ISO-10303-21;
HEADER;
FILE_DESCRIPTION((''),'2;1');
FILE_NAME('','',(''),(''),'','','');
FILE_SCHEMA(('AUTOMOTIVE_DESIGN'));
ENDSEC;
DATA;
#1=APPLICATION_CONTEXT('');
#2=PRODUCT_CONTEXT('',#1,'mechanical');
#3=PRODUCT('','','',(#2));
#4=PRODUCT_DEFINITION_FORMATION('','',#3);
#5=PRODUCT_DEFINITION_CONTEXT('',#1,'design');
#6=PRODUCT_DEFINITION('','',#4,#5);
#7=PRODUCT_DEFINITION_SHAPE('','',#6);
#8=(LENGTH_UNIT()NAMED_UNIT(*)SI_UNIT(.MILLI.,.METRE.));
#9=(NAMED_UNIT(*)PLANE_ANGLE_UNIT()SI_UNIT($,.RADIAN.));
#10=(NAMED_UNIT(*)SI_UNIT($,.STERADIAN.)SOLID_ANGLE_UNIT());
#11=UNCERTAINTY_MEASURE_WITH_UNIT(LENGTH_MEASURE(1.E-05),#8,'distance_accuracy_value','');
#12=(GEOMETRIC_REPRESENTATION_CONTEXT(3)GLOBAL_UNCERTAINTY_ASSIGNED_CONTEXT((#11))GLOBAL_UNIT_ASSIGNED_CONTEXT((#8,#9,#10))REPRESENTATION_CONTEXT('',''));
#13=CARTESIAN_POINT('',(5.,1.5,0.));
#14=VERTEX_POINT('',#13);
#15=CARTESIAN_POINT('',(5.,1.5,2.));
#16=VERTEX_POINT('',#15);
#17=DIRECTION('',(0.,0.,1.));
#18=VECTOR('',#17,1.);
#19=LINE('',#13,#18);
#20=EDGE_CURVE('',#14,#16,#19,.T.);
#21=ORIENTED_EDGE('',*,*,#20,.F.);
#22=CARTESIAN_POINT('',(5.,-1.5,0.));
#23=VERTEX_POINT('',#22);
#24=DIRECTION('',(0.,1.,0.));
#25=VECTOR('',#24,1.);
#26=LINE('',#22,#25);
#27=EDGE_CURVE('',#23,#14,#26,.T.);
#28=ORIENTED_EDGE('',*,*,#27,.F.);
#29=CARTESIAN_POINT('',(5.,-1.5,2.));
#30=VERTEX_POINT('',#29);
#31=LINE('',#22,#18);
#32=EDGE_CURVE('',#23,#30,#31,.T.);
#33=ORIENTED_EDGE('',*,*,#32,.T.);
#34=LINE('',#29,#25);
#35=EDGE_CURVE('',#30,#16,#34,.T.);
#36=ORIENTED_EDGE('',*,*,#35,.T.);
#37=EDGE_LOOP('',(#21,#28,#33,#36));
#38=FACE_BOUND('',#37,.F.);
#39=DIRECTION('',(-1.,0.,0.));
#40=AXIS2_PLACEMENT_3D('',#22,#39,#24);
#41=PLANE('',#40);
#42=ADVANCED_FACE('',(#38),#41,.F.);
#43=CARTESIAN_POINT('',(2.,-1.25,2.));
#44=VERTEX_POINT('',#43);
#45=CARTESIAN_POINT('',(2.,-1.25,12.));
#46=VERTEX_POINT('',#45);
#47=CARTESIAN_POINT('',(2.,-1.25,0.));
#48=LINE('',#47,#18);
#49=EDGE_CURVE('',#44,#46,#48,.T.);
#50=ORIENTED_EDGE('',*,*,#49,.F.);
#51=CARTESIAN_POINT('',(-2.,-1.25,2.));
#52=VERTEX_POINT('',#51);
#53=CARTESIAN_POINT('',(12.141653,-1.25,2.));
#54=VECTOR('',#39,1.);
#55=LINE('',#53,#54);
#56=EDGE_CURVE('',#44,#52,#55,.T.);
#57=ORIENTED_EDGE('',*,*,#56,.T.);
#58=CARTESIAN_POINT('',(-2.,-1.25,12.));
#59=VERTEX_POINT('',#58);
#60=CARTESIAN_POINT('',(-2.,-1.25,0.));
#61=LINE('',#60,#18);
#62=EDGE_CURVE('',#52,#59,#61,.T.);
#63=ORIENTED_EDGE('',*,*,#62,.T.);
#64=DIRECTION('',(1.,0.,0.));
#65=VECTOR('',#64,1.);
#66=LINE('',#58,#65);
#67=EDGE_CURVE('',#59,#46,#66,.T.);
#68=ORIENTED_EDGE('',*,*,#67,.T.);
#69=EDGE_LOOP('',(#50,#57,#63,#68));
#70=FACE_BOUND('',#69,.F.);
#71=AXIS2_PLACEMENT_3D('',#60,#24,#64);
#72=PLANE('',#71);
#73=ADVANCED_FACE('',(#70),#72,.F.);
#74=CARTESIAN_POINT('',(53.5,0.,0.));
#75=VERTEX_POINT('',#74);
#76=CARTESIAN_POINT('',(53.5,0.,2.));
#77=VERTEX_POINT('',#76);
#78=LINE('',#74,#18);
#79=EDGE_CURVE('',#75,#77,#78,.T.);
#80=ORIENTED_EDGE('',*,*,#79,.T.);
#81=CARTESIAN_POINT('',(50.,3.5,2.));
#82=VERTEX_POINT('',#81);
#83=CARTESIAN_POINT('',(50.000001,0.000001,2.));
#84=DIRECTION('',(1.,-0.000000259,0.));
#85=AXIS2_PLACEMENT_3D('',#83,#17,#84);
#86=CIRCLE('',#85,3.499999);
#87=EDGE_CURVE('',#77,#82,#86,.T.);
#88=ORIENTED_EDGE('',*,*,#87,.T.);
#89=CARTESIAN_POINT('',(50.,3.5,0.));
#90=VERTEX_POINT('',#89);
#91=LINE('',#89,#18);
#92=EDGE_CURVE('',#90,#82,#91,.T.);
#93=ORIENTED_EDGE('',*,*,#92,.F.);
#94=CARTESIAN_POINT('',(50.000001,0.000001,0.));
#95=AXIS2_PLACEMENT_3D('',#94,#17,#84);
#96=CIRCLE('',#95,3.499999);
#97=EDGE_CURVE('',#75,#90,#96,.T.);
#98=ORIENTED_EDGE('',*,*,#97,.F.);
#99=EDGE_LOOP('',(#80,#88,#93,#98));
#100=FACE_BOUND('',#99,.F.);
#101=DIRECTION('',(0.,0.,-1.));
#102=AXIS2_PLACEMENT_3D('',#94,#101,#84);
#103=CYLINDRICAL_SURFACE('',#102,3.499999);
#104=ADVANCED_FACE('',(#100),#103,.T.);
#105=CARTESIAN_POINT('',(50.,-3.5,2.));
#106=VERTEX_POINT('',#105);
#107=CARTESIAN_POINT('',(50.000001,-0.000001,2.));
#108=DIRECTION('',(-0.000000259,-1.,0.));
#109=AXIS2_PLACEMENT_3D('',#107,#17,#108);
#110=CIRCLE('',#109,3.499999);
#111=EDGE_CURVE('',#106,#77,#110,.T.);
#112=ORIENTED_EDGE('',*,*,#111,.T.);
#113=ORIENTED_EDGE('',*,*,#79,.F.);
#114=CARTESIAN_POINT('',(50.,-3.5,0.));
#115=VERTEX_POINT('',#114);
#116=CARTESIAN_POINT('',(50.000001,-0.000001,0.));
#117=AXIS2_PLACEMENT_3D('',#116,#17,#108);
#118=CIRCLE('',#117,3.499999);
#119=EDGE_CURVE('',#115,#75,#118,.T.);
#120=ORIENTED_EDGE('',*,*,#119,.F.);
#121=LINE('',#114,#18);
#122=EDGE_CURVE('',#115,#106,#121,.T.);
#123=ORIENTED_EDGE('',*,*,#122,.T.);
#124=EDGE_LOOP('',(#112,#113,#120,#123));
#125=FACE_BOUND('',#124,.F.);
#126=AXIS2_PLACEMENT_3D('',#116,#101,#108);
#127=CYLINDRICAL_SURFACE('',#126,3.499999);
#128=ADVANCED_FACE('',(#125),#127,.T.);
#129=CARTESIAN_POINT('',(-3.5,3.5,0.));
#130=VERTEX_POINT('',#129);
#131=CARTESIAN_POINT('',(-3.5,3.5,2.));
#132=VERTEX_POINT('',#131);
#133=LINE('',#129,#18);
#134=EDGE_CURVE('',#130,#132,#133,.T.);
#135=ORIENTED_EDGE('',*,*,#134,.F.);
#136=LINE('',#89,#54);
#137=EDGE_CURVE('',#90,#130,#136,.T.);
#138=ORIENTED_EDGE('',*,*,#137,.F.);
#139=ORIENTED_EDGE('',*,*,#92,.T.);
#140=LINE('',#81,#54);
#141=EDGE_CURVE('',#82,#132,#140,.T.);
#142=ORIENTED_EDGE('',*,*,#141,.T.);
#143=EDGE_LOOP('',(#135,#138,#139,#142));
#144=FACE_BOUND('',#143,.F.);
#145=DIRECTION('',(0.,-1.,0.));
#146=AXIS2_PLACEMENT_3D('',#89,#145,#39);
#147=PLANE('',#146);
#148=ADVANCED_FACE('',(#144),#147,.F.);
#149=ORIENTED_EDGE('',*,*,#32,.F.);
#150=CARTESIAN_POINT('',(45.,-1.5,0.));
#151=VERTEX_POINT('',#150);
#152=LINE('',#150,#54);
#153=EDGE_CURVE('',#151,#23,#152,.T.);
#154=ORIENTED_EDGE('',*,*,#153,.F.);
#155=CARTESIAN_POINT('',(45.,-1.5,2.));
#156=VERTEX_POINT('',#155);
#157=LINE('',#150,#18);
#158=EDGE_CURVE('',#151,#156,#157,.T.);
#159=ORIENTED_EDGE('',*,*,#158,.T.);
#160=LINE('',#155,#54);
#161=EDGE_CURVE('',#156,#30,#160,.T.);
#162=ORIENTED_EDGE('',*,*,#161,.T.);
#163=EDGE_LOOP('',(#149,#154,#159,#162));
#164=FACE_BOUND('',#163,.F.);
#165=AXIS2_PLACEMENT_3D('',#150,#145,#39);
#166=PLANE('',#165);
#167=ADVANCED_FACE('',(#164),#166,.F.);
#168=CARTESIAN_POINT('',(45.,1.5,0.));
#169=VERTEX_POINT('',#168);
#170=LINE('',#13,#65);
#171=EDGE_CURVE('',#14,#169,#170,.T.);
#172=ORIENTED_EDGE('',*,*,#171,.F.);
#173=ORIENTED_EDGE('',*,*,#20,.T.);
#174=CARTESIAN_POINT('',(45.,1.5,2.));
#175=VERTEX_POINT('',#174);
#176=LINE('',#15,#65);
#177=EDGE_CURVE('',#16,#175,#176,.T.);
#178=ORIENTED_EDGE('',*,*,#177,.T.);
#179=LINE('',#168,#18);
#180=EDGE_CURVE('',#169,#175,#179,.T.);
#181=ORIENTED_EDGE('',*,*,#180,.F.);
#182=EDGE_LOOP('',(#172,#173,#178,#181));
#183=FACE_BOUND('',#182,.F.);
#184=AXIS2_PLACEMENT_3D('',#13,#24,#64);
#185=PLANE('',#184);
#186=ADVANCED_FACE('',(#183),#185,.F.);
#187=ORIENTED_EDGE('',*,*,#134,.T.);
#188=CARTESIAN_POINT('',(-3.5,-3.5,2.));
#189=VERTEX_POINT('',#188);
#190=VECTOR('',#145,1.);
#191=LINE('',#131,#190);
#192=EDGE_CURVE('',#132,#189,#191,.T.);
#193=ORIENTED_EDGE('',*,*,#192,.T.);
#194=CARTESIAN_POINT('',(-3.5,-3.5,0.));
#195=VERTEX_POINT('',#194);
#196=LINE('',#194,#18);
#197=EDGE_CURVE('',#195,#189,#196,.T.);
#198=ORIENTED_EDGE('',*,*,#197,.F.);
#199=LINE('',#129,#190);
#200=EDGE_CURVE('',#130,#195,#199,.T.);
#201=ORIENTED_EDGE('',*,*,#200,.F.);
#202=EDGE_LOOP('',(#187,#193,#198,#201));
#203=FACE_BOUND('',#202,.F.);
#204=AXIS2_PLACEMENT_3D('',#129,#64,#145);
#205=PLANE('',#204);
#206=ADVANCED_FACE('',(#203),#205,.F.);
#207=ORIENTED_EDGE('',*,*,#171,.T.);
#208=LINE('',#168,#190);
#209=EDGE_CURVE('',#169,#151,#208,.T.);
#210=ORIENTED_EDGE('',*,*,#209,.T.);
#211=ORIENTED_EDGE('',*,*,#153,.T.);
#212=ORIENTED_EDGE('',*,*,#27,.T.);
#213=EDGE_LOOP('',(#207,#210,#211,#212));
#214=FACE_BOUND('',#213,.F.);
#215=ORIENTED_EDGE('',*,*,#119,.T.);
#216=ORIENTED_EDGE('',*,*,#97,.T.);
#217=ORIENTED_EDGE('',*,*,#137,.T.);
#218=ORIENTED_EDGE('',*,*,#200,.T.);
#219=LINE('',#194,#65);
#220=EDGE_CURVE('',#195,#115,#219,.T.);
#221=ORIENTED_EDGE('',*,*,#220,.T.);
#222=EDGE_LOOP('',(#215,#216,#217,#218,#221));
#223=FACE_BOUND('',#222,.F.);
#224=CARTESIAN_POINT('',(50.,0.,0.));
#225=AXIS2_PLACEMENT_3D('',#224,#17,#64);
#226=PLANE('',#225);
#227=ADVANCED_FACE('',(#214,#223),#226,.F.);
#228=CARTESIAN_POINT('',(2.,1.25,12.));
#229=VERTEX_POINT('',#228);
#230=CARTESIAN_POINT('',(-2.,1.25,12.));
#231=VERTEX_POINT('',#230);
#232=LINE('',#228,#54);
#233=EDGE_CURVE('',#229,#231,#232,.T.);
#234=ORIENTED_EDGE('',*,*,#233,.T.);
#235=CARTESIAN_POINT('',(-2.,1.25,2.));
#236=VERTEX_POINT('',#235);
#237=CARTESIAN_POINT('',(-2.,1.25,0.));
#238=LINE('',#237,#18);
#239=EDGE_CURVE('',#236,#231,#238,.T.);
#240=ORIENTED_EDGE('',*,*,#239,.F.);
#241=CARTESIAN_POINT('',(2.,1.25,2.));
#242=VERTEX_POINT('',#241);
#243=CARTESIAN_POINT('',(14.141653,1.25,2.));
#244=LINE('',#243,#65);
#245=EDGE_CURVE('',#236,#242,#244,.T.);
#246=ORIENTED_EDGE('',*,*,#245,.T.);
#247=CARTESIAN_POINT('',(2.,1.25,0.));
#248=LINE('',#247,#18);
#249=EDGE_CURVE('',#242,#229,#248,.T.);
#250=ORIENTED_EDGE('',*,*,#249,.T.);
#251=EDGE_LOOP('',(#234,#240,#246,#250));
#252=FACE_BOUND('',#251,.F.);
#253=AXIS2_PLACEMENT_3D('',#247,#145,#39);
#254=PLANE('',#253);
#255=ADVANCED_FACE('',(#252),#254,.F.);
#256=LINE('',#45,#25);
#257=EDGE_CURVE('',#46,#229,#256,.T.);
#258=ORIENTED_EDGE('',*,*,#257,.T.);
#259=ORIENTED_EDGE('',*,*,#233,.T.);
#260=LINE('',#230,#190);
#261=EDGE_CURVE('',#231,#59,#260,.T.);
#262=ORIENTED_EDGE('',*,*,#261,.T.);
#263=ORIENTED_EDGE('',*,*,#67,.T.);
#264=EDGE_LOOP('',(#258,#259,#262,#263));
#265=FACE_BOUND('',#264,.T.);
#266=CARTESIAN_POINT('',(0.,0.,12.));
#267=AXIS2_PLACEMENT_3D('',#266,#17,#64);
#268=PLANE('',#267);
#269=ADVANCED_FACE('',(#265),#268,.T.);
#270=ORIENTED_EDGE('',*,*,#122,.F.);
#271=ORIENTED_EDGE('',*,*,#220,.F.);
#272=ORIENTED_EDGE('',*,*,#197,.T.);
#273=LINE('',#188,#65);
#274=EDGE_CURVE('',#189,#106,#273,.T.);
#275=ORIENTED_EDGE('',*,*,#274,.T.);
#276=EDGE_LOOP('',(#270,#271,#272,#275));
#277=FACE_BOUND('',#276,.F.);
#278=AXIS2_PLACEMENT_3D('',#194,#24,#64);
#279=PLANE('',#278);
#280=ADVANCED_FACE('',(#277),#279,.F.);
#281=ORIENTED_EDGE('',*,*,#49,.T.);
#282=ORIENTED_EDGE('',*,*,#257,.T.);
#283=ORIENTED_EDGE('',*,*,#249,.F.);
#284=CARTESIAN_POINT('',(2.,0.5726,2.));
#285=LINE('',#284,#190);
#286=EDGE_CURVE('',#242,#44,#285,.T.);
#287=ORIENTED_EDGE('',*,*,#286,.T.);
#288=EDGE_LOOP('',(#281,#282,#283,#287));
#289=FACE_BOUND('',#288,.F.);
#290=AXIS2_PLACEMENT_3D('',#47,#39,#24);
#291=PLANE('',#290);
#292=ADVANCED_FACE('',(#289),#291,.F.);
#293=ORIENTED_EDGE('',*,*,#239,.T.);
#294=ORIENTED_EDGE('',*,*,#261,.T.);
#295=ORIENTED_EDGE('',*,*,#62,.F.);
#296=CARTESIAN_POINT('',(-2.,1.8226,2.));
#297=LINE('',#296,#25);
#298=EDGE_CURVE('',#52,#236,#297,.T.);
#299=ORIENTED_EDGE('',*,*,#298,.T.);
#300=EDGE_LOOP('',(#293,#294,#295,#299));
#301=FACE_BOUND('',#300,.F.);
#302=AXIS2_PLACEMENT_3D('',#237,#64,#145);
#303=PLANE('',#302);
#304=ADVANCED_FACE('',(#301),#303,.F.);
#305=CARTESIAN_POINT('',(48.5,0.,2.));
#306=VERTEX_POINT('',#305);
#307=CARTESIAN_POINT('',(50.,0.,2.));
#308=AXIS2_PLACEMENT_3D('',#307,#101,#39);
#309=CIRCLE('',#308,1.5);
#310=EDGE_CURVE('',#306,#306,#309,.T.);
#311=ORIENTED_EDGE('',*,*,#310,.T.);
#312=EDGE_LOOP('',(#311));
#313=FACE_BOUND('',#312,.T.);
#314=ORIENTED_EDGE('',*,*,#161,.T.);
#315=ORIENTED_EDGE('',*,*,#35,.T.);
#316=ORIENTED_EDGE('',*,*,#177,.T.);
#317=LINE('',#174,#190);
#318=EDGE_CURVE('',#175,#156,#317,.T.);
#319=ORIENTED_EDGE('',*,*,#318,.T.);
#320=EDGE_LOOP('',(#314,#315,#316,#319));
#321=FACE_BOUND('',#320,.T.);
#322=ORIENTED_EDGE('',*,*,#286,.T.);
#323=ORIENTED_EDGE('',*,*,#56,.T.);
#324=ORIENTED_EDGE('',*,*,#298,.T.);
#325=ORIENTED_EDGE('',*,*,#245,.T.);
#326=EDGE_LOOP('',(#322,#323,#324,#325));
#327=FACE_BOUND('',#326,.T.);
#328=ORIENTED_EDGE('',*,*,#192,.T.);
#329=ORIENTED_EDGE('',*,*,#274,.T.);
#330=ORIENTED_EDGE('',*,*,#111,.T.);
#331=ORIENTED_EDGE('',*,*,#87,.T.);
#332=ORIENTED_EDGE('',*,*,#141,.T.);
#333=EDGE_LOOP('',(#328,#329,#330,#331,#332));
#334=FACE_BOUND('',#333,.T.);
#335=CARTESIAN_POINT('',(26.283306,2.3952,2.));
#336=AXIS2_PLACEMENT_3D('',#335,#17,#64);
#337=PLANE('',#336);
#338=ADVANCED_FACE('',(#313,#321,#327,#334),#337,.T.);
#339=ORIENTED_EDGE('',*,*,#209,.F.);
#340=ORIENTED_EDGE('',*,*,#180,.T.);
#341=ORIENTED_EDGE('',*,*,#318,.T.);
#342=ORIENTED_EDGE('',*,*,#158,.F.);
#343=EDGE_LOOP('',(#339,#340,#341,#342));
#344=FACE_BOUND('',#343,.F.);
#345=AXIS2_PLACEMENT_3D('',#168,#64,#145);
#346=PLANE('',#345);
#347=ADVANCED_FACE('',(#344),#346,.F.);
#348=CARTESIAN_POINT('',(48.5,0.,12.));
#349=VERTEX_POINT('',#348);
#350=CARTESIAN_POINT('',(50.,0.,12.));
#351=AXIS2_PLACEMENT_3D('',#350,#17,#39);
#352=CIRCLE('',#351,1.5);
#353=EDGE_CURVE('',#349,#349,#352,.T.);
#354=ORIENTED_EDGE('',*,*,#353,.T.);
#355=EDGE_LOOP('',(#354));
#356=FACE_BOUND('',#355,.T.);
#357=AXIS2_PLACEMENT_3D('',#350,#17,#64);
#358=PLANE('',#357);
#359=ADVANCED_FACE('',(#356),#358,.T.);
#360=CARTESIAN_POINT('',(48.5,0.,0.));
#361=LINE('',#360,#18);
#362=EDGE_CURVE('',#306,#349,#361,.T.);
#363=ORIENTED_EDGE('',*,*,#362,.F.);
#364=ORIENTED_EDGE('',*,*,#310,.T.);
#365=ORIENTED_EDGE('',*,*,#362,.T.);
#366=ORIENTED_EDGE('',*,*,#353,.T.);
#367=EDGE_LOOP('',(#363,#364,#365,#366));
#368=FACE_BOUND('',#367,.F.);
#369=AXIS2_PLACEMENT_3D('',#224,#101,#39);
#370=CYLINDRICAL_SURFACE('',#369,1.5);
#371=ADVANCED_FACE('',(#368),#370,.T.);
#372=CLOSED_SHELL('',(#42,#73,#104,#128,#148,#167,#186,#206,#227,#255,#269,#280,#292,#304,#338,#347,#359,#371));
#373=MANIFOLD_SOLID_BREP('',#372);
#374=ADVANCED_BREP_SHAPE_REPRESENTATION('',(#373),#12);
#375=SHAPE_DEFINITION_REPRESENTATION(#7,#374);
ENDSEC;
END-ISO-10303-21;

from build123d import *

# Parameters (mm, degrees)
F1_DEPTH = 2
F2_DEPTH = 12
F3_DEPTH = 12


with BuildPart() as f1:
    # F0 (on Top) → F1 (new body)
    with BuildSketch(Plane.XY):
        with BuildLine():
            Line((3.5, 3.5), (3.5, 0))
            Line((3.5, 0), (5, 0))
            Line((5, 0), (5, 1.5))
            Line((5, 1.5), (45, 1.5))
            Line((45, 1.5), (45, 0))
            Line((45, 0), (46.5, 0))
            ThreePointArc((46.5, 0), (47.525126, 2.474874), (50, 3.5))
            Line((50, 3.5), (3.5, 3.5))
        make_face()
        with BuildLine():
            Line((5, 0), (3.5, 0))
            Line((3.5, 0), (3.5, -3.5))
            Line((3.5, -3.5), (50, -3.5))
            ThreePointArc((50, -3.5), (47.525126, -2.474874), (46.5, 0))
            Line((46.5, 0), (45, 0))
            Line((45, 0), (45, -1.5))
            Line((45, -1.5), (5, -1.5))
            Line((5, -1.5), (5, 0))
        make_face()
        Polygon((3.5, -3.5), (3.5, 0), (3.5, 3.5), (0, 3.5), (-3.5, 3.5), (-3.5, -3.5), (0, -3.5), align=None)
        Polygon((2, 1.25), (2, 0), (2, -1.25), (-2, -1.25), (-2, 1.25), align=None, mode=Mode.SUBTRACT)
        Polygon((2, -1.25), (2, 0), (2, 1.25), (-2, 1.25), (-2, -1.25), align=None)
        with BuildLine():
            ThreePointArc((46.5, 0), (47.525126, -2.474874), (50, -3.5))
            ThreePointArc((50, -3.5), (52.474874, -2.474874), (53.5, 0))
            ThreePointArc((53.5, 0), (52.474874, 2.474874), (50, 3.5))
            ThreePointArc((50, 3.5), (47.525126, 2.474874), (46.5, 0))
        make_face()
        with BuildLine():
            ThreePointArc((51.5, 0), (50, -1.5), (48.5, 0))
            ThreePointArc((48.5, 0), (50, 1.5), (51.5, 0))
        make_face(mode=Mode.SUBTRACT)
        with BuildLine():
            ThreePointArc((51.5, 0), (50, 1.5), (48.5, 0))
            ThreePointArc((48.5, 0), (50, -1.5), (51.5, 0))
        make_face()
    extrude(amount=F1_DEPTH)

    # F0 (on Top) → F2 (join)
    with BuildSketch(Plane.XY):
        Polygon((2, -1.25), (2, 0), (2, 1.25), (-2, 1.25), (-2, -1.25), align=None)
    extrude(amount=F2_DEPTH)

    # F0 (on Top) → F3 (join)
    with BuildSketch(Plane.XY):
        with BuildLine():
            ThreePointArc((51.5, 0), (50, 1.5), (48.5, 0))
            ThreePointArc((48.5, 0), (50, -1.5), (51.5, 0))
        make_face()
    extrude(amount=F3_DEPTH)


solid = f1.part
